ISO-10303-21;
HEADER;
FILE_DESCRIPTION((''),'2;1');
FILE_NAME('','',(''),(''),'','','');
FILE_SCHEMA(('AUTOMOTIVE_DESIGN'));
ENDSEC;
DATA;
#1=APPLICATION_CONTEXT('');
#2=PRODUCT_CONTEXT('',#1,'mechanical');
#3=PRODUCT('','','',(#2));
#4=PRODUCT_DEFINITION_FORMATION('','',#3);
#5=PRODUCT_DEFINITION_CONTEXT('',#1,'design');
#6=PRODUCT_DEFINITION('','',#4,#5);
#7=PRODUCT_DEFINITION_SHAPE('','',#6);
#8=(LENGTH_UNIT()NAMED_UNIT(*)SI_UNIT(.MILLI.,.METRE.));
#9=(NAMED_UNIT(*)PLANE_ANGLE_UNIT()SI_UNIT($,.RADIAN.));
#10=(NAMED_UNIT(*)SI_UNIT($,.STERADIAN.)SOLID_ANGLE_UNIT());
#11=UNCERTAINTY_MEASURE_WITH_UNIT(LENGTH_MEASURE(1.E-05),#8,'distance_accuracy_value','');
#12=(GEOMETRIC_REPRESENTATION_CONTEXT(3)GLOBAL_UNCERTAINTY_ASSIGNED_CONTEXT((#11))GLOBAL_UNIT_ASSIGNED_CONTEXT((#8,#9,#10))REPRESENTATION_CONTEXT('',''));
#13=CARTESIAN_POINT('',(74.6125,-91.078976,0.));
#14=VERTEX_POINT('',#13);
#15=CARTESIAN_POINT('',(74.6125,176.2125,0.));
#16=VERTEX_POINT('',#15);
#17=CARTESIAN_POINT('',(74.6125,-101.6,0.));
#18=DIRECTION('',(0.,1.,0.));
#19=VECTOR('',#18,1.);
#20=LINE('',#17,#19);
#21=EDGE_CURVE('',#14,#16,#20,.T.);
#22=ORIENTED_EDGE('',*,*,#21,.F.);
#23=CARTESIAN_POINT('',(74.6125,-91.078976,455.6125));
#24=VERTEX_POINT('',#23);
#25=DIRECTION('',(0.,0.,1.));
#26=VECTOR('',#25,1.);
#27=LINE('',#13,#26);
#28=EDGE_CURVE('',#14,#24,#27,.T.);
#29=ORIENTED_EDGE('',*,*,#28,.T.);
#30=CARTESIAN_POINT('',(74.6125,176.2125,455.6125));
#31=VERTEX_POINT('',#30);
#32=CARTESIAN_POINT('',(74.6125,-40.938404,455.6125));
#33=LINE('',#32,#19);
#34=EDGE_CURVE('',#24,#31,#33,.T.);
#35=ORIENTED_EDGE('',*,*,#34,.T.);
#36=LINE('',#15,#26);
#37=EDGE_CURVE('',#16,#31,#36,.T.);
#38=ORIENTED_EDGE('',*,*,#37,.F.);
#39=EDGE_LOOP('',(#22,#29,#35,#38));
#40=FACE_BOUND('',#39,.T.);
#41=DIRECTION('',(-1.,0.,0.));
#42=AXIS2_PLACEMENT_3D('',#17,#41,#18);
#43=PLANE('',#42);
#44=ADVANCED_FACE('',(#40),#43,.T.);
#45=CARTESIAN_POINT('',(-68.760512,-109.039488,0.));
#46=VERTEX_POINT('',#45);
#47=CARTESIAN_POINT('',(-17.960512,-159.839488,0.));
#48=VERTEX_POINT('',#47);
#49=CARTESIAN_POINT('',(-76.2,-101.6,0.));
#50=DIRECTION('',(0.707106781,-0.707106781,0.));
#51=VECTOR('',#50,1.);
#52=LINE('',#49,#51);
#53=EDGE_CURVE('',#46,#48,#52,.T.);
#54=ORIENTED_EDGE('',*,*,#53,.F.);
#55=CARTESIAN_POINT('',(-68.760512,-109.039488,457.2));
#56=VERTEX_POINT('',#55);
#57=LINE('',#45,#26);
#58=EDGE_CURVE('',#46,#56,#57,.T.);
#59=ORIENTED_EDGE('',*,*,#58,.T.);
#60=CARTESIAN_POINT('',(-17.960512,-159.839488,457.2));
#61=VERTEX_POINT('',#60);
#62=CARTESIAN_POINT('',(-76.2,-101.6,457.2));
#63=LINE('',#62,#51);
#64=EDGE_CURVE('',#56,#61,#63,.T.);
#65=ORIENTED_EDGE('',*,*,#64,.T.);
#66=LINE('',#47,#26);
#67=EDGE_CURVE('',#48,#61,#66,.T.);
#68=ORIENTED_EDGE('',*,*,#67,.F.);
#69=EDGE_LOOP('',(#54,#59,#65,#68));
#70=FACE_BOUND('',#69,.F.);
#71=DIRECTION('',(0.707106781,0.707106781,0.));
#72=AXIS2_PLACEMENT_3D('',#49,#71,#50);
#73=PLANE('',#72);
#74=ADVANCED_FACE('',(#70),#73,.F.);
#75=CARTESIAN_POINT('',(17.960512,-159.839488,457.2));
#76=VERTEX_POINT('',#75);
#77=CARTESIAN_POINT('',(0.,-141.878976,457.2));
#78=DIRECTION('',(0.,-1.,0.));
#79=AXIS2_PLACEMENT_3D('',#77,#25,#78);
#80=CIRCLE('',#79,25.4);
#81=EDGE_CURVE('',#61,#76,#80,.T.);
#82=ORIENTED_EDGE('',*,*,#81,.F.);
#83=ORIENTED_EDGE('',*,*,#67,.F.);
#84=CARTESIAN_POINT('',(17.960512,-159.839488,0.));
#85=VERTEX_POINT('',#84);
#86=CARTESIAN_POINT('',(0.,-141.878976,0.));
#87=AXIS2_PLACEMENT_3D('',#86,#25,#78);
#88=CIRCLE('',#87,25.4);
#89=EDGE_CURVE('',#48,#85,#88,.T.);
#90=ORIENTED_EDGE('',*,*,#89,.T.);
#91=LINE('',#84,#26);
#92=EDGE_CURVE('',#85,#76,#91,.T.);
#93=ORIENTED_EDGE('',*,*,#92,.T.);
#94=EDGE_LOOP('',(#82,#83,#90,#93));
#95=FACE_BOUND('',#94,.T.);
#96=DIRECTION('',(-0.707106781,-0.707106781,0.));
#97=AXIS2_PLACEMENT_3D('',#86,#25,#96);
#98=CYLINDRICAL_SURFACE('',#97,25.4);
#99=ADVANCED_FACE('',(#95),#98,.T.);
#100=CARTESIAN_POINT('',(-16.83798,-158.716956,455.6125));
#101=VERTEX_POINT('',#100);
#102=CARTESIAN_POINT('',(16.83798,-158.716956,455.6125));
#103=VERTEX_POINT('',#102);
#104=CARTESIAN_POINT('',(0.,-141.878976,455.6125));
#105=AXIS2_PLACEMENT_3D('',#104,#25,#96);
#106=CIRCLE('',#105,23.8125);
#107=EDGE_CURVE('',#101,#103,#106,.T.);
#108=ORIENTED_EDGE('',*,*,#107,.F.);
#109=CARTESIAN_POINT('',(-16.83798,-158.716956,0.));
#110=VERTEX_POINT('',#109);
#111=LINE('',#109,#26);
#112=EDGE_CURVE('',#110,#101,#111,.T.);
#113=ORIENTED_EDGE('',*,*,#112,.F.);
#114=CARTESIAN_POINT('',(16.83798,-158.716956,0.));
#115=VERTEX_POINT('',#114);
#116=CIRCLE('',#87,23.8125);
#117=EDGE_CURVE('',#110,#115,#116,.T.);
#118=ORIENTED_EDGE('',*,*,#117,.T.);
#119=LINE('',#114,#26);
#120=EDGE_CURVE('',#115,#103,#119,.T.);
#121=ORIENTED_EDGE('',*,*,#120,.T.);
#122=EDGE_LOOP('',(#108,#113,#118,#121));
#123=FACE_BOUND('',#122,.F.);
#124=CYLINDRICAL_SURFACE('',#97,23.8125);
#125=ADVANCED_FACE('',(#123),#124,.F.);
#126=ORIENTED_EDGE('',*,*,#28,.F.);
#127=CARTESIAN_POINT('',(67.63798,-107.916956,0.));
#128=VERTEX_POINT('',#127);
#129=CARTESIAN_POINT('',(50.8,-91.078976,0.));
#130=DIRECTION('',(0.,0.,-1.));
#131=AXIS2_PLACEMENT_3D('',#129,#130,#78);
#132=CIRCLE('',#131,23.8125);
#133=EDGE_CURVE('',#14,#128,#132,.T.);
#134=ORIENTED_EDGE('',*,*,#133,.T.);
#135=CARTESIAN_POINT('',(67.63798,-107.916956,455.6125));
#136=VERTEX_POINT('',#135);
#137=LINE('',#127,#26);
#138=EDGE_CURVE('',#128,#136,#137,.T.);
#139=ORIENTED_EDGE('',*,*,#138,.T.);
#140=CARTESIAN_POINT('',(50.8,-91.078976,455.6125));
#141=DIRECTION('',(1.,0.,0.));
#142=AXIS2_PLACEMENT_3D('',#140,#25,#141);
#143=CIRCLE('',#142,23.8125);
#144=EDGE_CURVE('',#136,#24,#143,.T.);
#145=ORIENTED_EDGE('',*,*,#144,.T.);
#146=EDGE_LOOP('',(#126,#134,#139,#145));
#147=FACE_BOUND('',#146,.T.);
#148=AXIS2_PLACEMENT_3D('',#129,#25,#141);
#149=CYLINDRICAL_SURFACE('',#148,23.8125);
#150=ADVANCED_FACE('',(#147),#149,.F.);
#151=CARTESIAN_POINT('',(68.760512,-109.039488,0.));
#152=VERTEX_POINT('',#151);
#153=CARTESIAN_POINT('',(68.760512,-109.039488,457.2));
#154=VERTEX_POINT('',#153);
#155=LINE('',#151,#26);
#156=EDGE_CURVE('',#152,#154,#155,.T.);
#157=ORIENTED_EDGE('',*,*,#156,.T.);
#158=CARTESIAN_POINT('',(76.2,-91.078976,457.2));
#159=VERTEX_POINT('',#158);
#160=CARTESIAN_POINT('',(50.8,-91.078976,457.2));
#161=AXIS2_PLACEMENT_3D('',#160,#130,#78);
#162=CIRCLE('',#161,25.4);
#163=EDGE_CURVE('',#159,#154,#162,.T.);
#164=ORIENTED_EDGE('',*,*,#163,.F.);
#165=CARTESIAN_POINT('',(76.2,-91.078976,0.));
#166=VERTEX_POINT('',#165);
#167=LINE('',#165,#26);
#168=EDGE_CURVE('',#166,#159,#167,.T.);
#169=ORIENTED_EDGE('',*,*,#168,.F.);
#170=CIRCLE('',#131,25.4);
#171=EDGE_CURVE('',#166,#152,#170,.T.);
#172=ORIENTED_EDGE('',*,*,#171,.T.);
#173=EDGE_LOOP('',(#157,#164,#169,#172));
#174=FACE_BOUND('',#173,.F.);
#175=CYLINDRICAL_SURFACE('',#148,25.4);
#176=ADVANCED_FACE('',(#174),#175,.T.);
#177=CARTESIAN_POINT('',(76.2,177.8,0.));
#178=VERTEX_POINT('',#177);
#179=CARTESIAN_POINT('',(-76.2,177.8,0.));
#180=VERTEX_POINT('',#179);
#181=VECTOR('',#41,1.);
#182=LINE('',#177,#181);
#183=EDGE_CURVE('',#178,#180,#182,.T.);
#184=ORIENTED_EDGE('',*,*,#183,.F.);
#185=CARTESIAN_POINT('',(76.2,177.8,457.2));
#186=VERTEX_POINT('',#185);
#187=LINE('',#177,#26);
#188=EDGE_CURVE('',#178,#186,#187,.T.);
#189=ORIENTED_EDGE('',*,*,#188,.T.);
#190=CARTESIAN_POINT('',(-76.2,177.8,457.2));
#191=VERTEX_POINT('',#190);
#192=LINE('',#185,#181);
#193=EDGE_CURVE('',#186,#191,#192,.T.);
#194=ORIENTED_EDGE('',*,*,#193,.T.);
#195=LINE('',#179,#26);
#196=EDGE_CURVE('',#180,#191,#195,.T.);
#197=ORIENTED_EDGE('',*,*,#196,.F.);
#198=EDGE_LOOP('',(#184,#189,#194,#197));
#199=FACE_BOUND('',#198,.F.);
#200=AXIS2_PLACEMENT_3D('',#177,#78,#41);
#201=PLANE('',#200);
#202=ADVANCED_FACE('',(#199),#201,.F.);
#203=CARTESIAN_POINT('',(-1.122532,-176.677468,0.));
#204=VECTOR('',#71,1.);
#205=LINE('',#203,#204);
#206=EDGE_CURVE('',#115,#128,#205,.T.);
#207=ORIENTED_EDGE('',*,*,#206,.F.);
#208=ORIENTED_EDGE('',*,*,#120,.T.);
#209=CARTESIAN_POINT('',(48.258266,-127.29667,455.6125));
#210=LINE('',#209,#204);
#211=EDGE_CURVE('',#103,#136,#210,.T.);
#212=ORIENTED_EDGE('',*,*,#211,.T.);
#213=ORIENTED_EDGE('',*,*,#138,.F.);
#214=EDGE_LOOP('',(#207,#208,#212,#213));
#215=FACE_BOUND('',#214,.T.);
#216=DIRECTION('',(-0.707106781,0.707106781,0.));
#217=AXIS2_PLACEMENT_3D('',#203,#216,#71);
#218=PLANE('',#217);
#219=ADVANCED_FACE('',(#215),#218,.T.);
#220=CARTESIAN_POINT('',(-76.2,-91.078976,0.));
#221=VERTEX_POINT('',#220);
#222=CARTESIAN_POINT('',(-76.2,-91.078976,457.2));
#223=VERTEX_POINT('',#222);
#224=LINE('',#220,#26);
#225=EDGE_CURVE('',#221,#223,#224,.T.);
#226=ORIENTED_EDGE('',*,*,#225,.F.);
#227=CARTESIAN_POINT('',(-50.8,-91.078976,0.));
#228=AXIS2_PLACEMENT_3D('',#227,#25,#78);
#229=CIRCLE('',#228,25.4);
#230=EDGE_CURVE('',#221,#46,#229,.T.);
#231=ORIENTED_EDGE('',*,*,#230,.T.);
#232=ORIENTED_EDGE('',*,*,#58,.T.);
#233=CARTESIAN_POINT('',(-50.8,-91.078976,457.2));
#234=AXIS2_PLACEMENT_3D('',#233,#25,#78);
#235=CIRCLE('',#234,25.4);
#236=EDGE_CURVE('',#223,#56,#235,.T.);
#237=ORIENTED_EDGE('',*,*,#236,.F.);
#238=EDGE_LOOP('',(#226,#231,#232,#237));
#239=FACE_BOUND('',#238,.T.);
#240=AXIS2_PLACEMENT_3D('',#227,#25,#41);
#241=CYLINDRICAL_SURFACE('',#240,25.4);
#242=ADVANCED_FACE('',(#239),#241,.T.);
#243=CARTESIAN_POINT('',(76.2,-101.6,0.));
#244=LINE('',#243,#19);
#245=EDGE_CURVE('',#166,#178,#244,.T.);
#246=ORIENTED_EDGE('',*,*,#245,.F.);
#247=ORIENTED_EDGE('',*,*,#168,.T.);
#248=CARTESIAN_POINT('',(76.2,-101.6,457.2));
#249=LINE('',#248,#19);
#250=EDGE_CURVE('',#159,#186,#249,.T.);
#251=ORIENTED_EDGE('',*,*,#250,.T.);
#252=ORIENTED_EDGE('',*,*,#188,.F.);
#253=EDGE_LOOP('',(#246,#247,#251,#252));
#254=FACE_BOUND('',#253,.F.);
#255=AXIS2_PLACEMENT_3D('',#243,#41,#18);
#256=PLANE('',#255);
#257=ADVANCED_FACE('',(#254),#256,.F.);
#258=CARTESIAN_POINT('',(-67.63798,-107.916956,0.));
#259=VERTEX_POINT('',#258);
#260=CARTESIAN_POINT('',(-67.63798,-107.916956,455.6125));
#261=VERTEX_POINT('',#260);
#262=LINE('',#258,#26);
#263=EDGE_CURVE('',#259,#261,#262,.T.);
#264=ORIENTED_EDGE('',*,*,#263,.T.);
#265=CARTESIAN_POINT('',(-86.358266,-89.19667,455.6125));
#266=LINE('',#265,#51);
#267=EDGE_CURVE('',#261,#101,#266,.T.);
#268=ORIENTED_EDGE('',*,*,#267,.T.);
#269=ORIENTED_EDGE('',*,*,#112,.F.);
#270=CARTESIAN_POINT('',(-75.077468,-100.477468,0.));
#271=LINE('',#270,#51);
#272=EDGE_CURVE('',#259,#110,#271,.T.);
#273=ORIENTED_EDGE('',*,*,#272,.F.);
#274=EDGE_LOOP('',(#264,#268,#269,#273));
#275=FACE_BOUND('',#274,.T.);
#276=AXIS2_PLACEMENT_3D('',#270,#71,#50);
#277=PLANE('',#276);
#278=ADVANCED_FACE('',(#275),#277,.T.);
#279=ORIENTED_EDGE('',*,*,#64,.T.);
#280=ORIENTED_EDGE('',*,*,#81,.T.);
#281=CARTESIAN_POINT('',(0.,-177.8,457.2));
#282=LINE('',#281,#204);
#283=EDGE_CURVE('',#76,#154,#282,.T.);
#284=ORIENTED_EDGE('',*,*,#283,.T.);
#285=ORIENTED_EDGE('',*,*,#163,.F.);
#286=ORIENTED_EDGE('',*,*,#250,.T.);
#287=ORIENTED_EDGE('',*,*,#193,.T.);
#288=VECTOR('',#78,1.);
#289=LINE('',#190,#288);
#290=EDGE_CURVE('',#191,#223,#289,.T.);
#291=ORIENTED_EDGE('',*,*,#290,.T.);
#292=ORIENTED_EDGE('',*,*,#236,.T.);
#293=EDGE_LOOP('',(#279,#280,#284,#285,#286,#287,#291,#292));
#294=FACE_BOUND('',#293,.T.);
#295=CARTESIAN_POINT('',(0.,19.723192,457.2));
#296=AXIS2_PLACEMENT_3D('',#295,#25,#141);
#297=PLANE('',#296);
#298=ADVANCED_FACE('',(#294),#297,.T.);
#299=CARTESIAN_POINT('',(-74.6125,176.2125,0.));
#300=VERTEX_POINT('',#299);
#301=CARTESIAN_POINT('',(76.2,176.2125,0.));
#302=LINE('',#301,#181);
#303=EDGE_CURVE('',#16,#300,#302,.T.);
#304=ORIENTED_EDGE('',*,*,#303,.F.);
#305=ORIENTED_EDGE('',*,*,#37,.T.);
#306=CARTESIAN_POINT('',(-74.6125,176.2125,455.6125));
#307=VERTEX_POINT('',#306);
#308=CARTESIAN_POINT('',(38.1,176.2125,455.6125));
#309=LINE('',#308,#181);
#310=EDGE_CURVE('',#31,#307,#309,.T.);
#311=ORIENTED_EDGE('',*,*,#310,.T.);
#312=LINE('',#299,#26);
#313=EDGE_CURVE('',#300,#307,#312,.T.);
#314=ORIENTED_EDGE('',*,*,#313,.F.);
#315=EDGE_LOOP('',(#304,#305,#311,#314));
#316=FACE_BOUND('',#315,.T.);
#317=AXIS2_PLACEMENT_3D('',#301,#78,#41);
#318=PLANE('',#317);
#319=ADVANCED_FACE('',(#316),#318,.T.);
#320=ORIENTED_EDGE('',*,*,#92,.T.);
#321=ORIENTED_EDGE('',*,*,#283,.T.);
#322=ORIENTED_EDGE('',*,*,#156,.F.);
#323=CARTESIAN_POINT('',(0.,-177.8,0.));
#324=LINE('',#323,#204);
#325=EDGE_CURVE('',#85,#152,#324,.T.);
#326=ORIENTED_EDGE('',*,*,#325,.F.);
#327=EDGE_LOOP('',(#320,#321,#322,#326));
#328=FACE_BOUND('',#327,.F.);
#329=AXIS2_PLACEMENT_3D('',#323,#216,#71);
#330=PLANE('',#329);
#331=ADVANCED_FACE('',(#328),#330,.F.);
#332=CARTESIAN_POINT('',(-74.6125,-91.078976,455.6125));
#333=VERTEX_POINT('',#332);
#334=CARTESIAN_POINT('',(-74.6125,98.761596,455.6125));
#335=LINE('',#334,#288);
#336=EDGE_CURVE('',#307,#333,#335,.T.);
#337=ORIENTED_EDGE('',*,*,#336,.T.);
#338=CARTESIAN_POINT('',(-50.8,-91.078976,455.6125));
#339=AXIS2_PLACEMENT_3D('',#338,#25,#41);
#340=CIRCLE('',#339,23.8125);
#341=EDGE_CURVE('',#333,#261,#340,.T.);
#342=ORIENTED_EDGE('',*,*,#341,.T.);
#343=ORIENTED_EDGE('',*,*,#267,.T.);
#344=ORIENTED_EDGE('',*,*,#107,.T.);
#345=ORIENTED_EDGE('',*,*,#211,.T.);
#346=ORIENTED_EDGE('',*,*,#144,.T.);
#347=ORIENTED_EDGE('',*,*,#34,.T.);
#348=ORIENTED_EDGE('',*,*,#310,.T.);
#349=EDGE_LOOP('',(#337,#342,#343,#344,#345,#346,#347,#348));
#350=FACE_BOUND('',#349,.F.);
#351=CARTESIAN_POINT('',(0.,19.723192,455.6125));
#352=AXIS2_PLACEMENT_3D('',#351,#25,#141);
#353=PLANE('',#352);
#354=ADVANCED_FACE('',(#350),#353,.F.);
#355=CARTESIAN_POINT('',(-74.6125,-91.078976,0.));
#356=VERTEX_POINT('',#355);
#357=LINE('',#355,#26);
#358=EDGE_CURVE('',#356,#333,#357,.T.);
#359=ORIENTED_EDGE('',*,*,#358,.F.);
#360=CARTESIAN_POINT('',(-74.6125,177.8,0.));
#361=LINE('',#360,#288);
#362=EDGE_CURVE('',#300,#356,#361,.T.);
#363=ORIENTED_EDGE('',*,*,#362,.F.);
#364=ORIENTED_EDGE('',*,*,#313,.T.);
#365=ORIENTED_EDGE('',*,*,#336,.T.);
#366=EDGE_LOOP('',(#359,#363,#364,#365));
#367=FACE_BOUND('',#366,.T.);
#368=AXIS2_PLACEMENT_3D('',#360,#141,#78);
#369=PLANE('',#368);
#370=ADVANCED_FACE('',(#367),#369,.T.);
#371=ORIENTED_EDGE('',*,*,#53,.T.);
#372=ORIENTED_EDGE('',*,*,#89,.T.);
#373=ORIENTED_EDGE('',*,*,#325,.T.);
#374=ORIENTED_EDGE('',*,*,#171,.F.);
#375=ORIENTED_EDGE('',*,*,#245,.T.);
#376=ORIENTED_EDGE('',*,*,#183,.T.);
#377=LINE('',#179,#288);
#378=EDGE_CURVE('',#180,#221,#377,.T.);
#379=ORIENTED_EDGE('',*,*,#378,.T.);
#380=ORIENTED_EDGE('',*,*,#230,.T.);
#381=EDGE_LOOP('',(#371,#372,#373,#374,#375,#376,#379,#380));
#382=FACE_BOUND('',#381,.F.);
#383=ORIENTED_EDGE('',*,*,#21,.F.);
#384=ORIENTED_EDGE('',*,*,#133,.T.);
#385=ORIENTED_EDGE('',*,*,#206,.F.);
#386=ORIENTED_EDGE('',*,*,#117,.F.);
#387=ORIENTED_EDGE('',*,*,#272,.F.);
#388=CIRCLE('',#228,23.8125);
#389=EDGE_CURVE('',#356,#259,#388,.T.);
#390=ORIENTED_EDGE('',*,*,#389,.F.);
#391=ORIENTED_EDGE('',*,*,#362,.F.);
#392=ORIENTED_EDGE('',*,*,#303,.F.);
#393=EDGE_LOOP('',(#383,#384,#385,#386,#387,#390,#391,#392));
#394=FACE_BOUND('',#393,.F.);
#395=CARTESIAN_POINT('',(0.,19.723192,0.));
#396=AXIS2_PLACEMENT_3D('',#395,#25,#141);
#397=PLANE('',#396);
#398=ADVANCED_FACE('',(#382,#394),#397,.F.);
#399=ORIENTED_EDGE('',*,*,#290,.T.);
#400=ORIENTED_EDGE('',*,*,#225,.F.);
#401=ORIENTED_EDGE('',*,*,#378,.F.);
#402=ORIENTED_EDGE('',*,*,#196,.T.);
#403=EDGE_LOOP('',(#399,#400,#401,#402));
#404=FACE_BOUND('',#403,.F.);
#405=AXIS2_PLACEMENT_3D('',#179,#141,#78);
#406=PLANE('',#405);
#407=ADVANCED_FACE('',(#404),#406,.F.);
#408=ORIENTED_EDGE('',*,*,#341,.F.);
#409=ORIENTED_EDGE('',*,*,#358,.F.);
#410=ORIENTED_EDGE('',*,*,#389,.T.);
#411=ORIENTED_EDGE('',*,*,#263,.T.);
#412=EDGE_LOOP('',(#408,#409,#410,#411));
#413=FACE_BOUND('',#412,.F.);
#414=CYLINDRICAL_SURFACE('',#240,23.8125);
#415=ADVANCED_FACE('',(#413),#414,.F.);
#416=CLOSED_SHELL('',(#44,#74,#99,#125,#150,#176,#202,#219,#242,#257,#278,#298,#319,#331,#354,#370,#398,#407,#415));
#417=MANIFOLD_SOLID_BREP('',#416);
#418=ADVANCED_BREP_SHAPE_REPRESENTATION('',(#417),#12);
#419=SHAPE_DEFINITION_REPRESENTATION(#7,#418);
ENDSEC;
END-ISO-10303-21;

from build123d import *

# Parameters (mm, degrees)
F1_DEPTH = 457.2
F2_R     = 25.4
F3_T     = -1.5875


with BuildPart() as f1:
    # F0 (on Top) → F1 (new body)
    with BuildSketch(Plane.XY):
        Polygon((76.2, -101.6), (76.2, 177.8), (-76.2, 177.8), (-76.2, -101.6), (0, -177.8), align=None)
    extrude(amount=F1_DEPTH)

    # F2
    f2_edges = [f1.edges().sort_by_distance(p)[0] for p in [
        (0, -177.8, 228.6),
        (76.2, -101.6, 228.6),
        (-76.2, -101.6, 228.6),
    ]]
    fillet(f2_edges, radius=F2_R)

    # F3
    f3_openings = [f1.faces().sort_by_distance(p)[0] for p in [
        (0, 18.896629, 0),
    ]]
    offset(amount=F3_T, openings=f3_openings)


solid = f1.part
